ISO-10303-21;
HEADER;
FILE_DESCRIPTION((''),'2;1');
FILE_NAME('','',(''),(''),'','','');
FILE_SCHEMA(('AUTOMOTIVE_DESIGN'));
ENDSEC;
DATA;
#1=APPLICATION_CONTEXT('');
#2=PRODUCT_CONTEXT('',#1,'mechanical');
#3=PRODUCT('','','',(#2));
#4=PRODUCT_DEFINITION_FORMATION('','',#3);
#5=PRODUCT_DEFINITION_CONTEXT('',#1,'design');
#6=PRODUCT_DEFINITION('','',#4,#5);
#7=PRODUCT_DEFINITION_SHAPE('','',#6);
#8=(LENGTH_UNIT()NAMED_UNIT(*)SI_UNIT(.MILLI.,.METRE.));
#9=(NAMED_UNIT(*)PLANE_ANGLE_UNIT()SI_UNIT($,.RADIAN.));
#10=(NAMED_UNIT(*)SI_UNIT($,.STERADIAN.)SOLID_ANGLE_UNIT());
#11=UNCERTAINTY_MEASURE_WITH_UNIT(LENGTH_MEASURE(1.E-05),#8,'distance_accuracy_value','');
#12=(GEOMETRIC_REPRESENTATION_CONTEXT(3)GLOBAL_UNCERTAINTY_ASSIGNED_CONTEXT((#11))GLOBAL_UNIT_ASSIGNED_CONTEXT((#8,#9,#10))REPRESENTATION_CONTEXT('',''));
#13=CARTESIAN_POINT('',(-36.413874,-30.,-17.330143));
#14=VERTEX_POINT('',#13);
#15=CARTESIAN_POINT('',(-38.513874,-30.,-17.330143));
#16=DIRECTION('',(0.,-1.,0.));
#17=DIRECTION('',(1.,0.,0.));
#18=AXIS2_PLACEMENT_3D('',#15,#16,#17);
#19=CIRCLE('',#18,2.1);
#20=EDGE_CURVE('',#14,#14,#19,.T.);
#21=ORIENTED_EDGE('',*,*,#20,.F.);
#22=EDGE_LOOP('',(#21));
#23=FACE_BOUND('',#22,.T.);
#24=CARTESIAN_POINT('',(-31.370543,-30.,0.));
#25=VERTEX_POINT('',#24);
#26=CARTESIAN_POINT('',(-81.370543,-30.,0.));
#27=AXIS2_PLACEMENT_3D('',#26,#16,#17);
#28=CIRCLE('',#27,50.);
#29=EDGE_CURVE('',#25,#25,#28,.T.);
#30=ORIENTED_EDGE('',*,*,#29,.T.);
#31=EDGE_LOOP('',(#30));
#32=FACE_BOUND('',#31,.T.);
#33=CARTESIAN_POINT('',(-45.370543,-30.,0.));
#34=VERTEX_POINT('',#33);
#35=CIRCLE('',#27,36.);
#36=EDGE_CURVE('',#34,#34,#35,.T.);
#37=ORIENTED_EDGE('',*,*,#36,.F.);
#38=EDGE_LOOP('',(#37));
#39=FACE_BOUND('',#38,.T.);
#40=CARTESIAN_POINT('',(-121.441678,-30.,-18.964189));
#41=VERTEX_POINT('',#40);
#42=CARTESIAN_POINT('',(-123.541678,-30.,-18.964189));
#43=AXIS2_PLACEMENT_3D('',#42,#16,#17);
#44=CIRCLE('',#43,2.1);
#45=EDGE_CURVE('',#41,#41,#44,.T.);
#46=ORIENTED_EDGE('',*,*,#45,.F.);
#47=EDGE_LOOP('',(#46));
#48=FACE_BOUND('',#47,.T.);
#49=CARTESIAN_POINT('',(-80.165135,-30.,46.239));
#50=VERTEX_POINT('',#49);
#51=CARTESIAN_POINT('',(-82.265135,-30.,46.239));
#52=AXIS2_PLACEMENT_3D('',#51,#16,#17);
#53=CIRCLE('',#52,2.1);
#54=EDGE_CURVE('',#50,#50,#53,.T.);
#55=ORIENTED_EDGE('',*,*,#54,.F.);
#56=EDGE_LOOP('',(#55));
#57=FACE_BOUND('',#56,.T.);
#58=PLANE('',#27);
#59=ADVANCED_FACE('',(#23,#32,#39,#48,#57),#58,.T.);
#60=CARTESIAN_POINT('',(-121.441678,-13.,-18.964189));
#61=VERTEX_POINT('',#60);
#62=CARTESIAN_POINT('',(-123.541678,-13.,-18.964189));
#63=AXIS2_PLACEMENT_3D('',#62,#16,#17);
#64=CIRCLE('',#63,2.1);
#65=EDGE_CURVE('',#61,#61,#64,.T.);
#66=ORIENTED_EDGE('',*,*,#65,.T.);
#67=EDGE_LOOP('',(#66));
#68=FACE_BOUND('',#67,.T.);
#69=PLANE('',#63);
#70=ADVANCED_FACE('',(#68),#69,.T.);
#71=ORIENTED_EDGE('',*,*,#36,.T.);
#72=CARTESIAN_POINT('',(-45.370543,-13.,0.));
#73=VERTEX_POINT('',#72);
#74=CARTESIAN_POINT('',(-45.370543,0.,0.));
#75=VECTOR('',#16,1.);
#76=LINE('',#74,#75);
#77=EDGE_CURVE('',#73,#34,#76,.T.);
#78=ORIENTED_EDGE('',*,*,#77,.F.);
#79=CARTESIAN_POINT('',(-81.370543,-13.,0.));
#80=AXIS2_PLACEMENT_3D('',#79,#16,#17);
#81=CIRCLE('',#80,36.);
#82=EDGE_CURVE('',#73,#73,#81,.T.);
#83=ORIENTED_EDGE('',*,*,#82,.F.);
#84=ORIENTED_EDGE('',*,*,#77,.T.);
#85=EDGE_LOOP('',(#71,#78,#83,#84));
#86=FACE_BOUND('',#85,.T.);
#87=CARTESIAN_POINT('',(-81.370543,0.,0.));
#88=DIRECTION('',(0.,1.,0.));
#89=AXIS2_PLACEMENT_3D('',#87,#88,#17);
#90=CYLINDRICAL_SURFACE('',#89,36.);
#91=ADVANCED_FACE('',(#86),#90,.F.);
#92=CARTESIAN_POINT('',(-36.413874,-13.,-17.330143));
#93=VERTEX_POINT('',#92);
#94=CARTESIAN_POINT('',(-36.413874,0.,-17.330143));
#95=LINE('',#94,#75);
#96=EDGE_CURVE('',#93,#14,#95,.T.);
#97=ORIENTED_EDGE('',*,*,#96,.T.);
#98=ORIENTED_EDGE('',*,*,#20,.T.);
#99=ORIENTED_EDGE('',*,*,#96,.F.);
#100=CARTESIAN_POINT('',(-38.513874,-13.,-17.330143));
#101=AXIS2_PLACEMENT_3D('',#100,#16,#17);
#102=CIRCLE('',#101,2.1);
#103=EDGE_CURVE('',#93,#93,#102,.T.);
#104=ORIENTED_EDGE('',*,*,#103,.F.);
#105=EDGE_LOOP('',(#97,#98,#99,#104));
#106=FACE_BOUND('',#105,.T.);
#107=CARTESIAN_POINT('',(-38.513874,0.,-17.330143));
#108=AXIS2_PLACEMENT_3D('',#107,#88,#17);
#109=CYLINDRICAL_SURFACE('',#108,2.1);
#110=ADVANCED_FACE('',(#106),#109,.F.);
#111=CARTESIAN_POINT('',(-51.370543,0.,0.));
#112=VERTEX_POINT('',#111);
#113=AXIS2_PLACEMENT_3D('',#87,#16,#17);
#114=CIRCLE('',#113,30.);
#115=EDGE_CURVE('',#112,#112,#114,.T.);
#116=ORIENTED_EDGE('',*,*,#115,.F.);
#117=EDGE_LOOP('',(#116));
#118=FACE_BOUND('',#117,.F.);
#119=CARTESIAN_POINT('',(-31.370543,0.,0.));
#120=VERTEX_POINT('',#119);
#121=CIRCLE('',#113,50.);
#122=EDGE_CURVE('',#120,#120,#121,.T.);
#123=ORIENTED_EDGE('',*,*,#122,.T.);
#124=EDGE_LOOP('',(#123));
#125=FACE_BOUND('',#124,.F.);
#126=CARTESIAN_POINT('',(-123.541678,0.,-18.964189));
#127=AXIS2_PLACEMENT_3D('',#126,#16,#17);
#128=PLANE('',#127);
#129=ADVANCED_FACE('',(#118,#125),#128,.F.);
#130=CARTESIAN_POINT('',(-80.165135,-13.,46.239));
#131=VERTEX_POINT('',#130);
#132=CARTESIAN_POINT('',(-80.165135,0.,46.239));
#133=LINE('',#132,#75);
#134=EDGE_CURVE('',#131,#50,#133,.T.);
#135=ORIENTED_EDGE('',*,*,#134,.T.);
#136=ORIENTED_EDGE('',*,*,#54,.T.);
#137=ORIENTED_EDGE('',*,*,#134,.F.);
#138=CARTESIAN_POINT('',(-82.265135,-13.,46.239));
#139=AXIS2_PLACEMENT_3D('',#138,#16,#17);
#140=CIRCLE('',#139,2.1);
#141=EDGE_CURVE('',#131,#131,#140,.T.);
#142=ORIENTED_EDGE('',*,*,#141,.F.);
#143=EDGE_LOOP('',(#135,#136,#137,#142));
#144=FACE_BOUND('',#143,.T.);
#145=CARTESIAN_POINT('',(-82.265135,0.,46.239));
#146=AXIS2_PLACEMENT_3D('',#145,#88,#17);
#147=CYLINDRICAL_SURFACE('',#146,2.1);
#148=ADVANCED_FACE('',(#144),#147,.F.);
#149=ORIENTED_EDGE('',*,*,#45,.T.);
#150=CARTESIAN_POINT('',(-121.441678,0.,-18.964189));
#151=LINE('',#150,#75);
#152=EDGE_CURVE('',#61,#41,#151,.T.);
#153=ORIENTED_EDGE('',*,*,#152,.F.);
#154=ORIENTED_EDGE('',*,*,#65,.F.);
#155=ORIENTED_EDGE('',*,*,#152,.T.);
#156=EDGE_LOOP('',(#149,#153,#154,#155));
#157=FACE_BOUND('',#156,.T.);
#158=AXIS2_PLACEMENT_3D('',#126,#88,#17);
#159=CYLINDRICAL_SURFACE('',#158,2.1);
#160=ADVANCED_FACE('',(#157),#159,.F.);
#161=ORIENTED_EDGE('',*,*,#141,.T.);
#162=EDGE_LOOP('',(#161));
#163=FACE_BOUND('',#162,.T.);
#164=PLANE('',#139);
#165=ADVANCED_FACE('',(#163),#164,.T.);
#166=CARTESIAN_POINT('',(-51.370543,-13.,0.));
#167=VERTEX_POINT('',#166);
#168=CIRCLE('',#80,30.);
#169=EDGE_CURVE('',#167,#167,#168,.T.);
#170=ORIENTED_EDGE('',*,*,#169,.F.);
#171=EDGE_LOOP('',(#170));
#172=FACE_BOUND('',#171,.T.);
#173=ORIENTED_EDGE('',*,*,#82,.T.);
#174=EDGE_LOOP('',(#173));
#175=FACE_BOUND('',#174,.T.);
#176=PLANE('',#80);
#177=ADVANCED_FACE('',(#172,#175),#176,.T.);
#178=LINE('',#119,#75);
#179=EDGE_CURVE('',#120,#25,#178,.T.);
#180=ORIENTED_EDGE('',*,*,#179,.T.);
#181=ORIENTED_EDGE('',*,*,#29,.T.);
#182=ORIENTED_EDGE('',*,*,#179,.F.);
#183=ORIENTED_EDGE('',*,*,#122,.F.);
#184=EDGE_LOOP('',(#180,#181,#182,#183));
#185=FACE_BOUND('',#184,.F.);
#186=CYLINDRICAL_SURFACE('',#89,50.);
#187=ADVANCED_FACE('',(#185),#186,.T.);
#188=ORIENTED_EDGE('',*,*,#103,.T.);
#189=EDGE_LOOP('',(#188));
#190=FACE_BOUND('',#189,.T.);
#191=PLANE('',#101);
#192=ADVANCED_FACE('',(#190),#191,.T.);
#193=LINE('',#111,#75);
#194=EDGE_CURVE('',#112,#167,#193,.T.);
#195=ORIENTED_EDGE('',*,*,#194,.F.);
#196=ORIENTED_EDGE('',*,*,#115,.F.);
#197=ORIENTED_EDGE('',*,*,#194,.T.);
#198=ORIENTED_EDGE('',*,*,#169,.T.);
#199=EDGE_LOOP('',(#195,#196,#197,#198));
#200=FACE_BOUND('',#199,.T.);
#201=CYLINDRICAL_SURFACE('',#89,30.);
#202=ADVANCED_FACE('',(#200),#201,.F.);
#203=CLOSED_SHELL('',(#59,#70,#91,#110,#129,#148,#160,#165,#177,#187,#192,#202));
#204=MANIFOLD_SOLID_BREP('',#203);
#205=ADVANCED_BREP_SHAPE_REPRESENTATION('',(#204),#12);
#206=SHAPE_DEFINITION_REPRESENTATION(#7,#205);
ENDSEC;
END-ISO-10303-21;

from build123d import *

# Parameters (mm, degrees)
F0_R     = 36
F0_R_2   = 30
F1_DEPTH = 13
F0_R_3   = 50
F0_R_4   = 2.1
F2_DEPTH = 30
F3_DEPTH = 13


with BuildPart() as f1:
    # F0 (on Front) → F1 (new body)
    with BuildSketch(Plane.XZ):
        with Locations((-81.370543, 0)):
            Circle(F0_R)
        with Locations((-81.370543, 0)):
            Circle(F0_R_2, mode=Mode.SUBTRACT)
    extrude(amount=F1_DEPTH)

    # F0 (on Front) → F2 (join)
    with BuildSketch(Plane.XZ):
        with Locations((-81.370543, 0)):
            Circle(F0_R_3)
        with Locations((-123.541678, -18.964189)):
            Circle(F0_R_4, mode=Mode.SUBTRACT)
        with Locations((-38.513874, -17.330143)):
            Circle(F0_R_4, mode=Mode.SUBTRACT)
        with Locations((-82.265135, 46.239)):
            Circle(F0_R_4, mode=Mode.SUBTRACT)
        with Locations((-81.370543, 0)):
            Circle(F0_R, mode=Mode.SUBTRACT)
    extrude(amount=F2_DEPTH)

    # F0 (on Front) → F3 (join)
    with BuildSketch(Plane.XZ):
        with Locations((-123.541678, -18.964189)):
            Circle(F0_R_4)
        with Locations((-82.265135, 46.239)):
            Circle(F0_R_4)
        with Locations((-38.513874, -17.330143)):
            Circle(F0_R_4)
    extrude(amount=F3_DEPTH)


solid = f1.part
